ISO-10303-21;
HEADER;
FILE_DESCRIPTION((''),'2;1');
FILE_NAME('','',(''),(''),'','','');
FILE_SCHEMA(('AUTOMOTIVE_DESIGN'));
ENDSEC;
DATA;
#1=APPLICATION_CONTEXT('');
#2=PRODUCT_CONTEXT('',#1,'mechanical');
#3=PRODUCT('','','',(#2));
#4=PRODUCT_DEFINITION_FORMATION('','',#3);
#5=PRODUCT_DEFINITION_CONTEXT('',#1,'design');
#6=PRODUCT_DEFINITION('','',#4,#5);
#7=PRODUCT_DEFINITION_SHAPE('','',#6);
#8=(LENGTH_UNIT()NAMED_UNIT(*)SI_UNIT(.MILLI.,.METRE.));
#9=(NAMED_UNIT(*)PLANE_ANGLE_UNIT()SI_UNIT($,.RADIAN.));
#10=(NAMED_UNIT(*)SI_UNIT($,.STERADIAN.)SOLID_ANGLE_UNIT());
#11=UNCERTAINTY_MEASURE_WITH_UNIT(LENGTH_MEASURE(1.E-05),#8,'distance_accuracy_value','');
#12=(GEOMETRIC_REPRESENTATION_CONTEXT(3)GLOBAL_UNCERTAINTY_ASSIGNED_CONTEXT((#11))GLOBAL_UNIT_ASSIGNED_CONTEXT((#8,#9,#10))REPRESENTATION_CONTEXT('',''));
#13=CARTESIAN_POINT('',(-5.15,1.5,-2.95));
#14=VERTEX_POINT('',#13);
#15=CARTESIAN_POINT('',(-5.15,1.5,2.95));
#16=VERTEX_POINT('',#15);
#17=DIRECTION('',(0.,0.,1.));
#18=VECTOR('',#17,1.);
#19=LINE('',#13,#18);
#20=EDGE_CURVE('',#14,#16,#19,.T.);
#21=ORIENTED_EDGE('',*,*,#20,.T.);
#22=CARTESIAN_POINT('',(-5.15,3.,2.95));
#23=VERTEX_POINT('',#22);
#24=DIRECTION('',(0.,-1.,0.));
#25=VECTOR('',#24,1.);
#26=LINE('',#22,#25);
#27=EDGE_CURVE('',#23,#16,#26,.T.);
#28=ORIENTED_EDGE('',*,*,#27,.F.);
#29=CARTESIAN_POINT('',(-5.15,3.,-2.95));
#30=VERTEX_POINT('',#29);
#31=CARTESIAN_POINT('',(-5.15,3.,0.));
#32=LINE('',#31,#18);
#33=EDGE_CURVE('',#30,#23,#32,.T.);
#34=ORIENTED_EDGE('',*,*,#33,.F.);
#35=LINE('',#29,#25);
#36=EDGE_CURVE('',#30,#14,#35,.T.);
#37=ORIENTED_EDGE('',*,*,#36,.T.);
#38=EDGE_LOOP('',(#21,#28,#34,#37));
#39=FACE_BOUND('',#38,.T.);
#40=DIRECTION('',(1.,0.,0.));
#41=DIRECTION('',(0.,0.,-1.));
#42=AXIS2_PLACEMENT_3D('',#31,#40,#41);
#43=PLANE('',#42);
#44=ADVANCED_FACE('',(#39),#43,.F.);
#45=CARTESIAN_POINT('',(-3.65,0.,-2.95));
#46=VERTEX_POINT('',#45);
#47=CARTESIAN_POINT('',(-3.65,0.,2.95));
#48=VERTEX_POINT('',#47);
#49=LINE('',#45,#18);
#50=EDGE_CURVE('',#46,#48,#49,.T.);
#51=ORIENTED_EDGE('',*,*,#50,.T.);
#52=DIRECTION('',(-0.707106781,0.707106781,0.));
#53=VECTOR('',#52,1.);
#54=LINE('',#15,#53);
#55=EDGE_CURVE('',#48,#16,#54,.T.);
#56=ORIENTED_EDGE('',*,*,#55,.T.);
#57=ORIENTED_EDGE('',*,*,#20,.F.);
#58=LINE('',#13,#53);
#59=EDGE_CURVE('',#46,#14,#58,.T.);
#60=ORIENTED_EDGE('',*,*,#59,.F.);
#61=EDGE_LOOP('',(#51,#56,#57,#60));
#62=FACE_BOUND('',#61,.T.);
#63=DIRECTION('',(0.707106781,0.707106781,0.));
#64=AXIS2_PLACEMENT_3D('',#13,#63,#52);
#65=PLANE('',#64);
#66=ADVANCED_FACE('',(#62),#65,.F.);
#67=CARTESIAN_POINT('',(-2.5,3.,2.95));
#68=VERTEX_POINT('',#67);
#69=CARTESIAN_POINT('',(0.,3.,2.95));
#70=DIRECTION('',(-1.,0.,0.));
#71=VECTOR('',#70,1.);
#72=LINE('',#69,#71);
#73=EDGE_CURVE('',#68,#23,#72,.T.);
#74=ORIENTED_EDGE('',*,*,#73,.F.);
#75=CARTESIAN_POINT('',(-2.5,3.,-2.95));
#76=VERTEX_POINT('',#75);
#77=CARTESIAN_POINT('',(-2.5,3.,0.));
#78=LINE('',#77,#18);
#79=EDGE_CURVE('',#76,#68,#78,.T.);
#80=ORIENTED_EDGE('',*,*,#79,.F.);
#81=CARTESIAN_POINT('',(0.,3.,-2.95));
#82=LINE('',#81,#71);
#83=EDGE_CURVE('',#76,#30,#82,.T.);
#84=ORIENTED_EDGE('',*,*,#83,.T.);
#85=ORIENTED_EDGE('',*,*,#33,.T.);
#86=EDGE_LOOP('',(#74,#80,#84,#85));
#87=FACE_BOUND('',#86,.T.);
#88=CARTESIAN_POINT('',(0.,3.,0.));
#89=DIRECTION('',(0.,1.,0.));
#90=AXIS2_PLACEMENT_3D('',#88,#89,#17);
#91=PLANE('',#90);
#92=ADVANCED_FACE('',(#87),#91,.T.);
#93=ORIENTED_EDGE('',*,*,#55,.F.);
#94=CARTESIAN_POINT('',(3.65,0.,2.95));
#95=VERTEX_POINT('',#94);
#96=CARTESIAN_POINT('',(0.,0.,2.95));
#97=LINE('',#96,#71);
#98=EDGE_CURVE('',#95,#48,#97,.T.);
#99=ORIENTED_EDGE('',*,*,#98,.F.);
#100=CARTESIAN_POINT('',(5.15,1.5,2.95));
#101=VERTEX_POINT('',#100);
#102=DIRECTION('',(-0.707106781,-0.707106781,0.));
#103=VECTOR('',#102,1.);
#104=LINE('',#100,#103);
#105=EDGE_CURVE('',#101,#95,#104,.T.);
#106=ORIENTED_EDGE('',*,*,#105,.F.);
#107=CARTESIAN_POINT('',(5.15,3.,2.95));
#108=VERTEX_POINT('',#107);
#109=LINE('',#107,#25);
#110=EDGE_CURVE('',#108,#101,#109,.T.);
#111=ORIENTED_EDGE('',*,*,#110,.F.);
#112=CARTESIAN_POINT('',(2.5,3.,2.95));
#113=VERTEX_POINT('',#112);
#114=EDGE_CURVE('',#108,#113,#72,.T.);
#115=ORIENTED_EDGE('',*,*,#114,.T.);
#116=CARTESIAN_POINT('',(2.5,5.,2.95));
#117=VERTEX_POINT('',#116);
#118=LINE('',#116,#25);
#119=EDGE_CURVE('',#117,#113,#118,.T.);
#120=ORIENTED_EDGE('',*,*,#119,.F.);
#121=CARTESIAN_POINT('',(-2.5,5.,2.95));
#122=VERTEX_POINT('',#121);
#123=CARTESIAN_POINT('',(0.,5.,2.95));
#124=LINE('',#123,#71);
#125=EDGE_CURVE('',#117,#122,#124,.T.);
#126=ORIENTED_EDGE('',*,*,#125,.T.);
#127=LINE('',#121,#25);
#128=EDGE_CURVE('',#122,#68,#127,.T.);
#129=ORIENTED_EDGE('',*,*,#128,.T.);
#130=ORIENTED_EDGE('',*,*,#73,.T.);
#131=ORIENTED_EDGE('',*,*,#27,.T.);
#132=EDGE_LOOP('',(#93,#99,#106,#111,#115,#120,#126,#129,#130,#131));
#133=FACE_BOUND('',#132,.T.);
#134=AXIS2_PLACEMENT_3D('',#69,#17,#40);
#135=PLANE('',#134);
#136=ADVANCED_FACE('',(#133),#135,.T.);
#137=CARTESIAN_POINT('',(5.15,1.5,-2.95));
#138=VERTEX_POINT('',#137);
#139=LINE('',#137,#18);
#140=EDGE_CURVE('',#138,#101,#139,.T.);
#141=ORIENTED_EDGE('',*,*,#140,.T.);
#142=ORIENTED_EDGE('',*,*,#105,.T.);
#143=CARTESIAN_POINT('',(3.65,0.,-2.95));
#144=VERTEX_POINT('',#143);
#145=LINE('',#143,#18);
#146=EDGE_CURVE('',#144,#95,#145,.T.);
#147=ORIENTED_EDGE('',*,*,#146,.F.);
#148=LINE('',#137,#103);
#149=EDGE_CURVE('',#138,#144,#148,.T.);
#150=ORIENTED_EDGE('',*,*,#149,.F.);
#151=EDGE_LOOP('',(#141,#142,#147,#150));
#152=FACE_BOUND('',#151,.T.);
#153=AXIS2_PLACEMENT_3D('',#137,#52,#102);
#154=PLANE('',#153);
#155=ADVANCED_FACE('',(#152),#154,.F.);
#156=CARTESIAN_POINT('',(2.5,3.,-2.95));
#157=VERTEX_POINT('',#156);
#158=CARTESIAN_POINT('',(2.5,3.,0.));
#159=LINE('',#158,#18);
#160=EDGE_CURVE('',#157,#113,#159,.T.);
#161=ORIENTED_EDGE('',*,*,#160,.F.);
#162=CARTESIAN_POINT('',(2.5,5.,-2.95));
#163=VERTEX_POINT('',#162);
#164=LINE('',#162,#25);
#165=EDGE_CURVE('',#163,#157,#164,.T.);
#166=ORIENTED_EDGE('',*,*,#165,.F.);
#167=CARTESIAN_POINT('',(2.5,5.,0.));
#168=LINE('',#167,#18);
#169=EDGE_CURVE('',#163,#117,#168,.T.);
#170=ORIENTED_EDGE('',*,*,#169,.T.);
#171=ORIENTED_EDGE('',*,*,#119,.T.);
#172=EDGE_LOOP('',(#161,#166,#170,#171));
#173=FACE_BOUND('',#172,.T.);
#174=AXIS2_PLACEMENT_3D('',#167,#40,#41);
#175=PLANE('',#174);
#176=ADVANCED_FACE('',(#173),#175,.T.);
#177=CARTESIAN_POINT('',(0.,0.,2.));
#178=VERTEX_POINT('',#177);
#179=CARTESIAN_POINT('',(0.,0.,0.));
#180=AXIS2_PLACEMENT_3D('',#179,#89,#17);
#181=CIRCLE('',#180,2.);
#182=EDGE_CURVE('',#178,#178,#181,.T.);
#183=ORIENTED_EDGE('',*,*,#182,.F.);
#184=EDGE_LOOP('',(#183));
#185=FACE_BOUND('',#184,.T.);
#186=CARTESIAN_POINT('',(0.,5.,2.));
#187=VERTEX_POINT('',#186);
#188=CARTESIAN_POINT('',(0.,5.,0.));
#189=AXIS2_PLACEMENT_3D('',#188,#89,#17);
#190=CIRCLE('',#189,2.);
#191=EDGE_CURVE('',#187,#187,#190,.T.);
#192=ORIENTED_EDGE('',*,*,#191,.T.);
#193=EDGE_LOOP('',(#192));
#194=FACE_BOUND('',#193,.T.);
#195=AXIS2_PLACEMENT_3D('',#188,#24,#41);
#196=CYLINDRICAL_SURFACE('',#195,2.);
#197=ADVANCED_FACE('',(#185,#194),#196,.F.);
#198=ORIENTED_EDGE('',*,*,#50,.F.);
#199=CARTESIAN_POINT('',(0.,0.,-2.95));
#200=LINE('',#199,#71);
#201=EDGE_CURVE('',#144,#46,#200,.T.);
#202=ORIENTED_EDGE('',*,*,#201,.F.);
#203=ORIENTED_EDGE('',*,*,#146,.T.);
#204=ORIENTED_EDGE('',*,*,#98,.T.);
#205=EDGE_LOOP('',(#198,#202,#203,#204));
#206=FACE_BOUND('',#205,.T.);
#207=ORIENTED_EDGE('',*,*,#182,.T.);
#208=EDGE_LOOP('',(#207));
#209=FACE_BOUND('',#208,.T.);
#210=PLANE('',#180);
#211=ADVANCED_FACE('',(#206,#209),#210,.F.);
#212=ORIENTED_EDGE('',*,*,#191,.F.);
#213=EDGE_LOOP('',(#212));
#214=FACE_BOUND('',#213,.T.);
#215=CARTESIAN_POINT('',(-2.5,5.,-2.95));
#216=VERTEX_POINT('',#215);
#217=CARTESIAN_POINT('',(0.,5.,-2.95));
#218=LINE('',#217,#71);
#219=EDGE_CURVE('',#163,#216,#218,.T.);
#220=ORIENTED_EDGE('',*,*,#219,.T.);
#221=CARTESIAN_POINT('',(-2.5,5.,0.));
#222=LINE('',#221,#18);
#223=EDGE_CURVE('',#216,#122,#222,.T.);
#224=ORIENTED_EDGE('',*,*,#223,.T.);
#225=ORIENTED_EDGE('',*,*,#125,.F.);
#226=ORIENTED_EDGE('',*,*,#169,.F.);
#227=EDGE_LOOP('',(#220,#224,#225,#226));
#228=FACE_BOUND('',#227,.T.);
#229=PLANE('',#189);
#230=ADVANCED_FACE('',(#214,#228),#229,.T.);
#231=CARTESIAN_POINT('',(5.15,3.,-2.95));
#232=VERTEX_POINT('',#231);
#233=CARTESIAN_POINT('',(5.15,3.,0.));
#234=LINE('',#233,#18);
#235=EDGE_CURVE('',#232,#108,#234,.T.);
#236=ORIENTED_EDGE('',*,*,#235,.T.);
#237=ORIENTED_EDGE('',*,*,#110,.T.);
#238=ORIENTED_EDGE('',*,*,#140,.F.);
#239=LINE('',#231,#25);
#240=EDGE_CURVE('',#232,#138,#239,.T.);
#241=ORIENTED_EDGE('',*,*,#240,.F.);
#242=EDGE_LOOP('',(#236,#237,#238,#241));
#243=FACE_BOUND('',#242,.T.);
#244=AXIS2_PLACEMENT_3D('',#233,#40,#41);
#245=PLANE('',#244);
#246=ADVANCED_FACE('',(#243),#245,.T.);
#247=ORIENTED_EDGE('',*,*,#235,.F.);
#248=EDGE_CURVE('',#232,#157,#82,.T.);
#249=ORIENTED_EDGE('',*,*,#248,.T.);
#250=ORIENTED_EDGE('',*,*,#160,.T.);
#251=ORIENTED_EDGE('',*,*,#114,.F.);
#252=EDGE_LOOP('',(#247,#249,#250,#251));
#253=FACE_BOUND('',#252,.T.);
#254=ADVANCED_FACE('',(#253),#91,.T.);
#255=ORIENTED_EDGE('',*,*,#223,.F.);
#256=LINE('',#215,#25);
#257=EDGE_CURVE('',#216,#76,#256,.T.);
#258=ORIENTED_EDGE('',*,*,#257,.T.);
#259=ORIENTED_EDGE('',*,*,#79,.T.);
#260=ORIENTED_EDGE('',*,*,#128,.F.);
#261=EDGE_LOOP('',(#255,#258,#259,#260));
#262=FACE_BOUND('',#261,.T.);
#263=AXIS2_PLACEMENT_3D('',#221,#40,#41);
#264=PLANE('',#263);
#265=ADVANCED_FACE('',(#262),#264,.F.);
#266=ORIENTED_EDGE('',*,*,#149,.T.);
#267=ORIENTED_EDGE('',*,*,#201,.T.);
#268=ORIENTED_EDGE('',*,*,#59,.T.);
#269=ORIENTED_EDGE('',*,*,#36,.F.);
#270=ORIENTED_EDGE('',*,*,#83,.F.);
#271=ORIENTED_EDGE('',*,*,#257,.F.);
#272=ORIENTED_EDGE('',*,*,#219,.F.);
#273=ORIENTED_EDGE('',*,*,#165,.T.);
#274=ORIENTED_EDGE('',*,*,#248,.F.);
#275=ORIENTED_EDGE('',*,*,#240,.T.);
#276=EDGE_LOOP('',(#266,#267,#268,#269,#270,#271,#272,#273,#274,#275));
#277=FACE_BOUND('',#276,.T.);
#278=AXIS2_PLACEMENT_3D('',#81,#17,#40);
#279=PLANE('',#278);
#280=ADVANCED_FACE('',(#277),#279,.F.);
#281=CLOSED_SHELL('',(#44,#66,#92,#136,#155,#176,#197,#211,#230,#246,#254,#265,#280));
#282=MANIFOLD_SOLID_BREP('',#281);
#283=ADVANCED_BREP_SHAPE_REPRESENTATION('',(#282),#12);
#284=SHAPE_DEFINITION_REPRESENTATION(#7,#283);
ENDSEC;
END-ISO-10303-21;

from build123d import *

# Parameters (mm, degrees)
SKETCH_1_W          = 2.65
SKETCH_1_H          = 5.9
EXTRUDE_3_DEPTH     = 3
EXTRUDE_3_2_DEPTH   = 3
SKETCH_1_3_W        = 5
SKETCH_1_3_H        = 5.9
SKETCH_1_3_R        = 2
EXTRUDE_4_DEPTH     = 5
CUT_EXTRUDE_1_DEPTH = 10.2915284


with BuildPart() as part:
    # 草图1 → 凸台-拉伸3 (new body)
    with BuildSketch(Plane(origin=(0, 0, 0), x_dir=(1, 0, 0), z_dir=(0, 1, 0))):
        with Locations((3.825, 0)):
            Rectangle(SKETCH_1_W, SKETCH_1_H)
    extrude(amount=EXTRUDE_3_DEPTH)



with BuildPart() as body_2:
    # 草图1 → Extrude 3 2 (new body)
    with BuildSketch(Plane(origin=(0, 0, 0), x_dir=(1, 0, 0), z_dir=(0, 1, 0))):
        with Locations((-3.825, 0)):
            Rectangle(SKETCH_1_W, SKETCH_1_H)
    extrude(amount=EXTRUDE_3_2_DEPTH)


with BuildPart() as part_1:
    add(part.part)

    add(body_2.part)  # 凸台-拉伸4 merges body 2
    # 草图1<3> → 凸台-拉伸4 (add)
    with BuildSketch(Plane(origin=(0, 0, 0), x_dir=(1, 0, 0), z_dir=(0, 1, 0))):
        Rectangle(SKETCH_1_3_W, SKETCH_1_3_H)
        Circle(SKETCH_1_3_R, mode=Mode.SUBTRACT)
    extrude(amount=EXTRUDE_4_DEPTH)

    # 草图2 → 切除-拉伸1 (cut, through all)
    with BuildSketch(Plane.XY.offset(2.95)):
        Polygon((-5.15, 1.5), (-3.65, 0), (-5.15, 0), align=None)
        Polygon((5.15, 1.5), (3.65, 0), (5.15, 0), align=None)
    extrude(amount=-CUT_EXTRUDE_1_DEPTH, mode=Mode.SUBTRACT)


solid = part_1.part
